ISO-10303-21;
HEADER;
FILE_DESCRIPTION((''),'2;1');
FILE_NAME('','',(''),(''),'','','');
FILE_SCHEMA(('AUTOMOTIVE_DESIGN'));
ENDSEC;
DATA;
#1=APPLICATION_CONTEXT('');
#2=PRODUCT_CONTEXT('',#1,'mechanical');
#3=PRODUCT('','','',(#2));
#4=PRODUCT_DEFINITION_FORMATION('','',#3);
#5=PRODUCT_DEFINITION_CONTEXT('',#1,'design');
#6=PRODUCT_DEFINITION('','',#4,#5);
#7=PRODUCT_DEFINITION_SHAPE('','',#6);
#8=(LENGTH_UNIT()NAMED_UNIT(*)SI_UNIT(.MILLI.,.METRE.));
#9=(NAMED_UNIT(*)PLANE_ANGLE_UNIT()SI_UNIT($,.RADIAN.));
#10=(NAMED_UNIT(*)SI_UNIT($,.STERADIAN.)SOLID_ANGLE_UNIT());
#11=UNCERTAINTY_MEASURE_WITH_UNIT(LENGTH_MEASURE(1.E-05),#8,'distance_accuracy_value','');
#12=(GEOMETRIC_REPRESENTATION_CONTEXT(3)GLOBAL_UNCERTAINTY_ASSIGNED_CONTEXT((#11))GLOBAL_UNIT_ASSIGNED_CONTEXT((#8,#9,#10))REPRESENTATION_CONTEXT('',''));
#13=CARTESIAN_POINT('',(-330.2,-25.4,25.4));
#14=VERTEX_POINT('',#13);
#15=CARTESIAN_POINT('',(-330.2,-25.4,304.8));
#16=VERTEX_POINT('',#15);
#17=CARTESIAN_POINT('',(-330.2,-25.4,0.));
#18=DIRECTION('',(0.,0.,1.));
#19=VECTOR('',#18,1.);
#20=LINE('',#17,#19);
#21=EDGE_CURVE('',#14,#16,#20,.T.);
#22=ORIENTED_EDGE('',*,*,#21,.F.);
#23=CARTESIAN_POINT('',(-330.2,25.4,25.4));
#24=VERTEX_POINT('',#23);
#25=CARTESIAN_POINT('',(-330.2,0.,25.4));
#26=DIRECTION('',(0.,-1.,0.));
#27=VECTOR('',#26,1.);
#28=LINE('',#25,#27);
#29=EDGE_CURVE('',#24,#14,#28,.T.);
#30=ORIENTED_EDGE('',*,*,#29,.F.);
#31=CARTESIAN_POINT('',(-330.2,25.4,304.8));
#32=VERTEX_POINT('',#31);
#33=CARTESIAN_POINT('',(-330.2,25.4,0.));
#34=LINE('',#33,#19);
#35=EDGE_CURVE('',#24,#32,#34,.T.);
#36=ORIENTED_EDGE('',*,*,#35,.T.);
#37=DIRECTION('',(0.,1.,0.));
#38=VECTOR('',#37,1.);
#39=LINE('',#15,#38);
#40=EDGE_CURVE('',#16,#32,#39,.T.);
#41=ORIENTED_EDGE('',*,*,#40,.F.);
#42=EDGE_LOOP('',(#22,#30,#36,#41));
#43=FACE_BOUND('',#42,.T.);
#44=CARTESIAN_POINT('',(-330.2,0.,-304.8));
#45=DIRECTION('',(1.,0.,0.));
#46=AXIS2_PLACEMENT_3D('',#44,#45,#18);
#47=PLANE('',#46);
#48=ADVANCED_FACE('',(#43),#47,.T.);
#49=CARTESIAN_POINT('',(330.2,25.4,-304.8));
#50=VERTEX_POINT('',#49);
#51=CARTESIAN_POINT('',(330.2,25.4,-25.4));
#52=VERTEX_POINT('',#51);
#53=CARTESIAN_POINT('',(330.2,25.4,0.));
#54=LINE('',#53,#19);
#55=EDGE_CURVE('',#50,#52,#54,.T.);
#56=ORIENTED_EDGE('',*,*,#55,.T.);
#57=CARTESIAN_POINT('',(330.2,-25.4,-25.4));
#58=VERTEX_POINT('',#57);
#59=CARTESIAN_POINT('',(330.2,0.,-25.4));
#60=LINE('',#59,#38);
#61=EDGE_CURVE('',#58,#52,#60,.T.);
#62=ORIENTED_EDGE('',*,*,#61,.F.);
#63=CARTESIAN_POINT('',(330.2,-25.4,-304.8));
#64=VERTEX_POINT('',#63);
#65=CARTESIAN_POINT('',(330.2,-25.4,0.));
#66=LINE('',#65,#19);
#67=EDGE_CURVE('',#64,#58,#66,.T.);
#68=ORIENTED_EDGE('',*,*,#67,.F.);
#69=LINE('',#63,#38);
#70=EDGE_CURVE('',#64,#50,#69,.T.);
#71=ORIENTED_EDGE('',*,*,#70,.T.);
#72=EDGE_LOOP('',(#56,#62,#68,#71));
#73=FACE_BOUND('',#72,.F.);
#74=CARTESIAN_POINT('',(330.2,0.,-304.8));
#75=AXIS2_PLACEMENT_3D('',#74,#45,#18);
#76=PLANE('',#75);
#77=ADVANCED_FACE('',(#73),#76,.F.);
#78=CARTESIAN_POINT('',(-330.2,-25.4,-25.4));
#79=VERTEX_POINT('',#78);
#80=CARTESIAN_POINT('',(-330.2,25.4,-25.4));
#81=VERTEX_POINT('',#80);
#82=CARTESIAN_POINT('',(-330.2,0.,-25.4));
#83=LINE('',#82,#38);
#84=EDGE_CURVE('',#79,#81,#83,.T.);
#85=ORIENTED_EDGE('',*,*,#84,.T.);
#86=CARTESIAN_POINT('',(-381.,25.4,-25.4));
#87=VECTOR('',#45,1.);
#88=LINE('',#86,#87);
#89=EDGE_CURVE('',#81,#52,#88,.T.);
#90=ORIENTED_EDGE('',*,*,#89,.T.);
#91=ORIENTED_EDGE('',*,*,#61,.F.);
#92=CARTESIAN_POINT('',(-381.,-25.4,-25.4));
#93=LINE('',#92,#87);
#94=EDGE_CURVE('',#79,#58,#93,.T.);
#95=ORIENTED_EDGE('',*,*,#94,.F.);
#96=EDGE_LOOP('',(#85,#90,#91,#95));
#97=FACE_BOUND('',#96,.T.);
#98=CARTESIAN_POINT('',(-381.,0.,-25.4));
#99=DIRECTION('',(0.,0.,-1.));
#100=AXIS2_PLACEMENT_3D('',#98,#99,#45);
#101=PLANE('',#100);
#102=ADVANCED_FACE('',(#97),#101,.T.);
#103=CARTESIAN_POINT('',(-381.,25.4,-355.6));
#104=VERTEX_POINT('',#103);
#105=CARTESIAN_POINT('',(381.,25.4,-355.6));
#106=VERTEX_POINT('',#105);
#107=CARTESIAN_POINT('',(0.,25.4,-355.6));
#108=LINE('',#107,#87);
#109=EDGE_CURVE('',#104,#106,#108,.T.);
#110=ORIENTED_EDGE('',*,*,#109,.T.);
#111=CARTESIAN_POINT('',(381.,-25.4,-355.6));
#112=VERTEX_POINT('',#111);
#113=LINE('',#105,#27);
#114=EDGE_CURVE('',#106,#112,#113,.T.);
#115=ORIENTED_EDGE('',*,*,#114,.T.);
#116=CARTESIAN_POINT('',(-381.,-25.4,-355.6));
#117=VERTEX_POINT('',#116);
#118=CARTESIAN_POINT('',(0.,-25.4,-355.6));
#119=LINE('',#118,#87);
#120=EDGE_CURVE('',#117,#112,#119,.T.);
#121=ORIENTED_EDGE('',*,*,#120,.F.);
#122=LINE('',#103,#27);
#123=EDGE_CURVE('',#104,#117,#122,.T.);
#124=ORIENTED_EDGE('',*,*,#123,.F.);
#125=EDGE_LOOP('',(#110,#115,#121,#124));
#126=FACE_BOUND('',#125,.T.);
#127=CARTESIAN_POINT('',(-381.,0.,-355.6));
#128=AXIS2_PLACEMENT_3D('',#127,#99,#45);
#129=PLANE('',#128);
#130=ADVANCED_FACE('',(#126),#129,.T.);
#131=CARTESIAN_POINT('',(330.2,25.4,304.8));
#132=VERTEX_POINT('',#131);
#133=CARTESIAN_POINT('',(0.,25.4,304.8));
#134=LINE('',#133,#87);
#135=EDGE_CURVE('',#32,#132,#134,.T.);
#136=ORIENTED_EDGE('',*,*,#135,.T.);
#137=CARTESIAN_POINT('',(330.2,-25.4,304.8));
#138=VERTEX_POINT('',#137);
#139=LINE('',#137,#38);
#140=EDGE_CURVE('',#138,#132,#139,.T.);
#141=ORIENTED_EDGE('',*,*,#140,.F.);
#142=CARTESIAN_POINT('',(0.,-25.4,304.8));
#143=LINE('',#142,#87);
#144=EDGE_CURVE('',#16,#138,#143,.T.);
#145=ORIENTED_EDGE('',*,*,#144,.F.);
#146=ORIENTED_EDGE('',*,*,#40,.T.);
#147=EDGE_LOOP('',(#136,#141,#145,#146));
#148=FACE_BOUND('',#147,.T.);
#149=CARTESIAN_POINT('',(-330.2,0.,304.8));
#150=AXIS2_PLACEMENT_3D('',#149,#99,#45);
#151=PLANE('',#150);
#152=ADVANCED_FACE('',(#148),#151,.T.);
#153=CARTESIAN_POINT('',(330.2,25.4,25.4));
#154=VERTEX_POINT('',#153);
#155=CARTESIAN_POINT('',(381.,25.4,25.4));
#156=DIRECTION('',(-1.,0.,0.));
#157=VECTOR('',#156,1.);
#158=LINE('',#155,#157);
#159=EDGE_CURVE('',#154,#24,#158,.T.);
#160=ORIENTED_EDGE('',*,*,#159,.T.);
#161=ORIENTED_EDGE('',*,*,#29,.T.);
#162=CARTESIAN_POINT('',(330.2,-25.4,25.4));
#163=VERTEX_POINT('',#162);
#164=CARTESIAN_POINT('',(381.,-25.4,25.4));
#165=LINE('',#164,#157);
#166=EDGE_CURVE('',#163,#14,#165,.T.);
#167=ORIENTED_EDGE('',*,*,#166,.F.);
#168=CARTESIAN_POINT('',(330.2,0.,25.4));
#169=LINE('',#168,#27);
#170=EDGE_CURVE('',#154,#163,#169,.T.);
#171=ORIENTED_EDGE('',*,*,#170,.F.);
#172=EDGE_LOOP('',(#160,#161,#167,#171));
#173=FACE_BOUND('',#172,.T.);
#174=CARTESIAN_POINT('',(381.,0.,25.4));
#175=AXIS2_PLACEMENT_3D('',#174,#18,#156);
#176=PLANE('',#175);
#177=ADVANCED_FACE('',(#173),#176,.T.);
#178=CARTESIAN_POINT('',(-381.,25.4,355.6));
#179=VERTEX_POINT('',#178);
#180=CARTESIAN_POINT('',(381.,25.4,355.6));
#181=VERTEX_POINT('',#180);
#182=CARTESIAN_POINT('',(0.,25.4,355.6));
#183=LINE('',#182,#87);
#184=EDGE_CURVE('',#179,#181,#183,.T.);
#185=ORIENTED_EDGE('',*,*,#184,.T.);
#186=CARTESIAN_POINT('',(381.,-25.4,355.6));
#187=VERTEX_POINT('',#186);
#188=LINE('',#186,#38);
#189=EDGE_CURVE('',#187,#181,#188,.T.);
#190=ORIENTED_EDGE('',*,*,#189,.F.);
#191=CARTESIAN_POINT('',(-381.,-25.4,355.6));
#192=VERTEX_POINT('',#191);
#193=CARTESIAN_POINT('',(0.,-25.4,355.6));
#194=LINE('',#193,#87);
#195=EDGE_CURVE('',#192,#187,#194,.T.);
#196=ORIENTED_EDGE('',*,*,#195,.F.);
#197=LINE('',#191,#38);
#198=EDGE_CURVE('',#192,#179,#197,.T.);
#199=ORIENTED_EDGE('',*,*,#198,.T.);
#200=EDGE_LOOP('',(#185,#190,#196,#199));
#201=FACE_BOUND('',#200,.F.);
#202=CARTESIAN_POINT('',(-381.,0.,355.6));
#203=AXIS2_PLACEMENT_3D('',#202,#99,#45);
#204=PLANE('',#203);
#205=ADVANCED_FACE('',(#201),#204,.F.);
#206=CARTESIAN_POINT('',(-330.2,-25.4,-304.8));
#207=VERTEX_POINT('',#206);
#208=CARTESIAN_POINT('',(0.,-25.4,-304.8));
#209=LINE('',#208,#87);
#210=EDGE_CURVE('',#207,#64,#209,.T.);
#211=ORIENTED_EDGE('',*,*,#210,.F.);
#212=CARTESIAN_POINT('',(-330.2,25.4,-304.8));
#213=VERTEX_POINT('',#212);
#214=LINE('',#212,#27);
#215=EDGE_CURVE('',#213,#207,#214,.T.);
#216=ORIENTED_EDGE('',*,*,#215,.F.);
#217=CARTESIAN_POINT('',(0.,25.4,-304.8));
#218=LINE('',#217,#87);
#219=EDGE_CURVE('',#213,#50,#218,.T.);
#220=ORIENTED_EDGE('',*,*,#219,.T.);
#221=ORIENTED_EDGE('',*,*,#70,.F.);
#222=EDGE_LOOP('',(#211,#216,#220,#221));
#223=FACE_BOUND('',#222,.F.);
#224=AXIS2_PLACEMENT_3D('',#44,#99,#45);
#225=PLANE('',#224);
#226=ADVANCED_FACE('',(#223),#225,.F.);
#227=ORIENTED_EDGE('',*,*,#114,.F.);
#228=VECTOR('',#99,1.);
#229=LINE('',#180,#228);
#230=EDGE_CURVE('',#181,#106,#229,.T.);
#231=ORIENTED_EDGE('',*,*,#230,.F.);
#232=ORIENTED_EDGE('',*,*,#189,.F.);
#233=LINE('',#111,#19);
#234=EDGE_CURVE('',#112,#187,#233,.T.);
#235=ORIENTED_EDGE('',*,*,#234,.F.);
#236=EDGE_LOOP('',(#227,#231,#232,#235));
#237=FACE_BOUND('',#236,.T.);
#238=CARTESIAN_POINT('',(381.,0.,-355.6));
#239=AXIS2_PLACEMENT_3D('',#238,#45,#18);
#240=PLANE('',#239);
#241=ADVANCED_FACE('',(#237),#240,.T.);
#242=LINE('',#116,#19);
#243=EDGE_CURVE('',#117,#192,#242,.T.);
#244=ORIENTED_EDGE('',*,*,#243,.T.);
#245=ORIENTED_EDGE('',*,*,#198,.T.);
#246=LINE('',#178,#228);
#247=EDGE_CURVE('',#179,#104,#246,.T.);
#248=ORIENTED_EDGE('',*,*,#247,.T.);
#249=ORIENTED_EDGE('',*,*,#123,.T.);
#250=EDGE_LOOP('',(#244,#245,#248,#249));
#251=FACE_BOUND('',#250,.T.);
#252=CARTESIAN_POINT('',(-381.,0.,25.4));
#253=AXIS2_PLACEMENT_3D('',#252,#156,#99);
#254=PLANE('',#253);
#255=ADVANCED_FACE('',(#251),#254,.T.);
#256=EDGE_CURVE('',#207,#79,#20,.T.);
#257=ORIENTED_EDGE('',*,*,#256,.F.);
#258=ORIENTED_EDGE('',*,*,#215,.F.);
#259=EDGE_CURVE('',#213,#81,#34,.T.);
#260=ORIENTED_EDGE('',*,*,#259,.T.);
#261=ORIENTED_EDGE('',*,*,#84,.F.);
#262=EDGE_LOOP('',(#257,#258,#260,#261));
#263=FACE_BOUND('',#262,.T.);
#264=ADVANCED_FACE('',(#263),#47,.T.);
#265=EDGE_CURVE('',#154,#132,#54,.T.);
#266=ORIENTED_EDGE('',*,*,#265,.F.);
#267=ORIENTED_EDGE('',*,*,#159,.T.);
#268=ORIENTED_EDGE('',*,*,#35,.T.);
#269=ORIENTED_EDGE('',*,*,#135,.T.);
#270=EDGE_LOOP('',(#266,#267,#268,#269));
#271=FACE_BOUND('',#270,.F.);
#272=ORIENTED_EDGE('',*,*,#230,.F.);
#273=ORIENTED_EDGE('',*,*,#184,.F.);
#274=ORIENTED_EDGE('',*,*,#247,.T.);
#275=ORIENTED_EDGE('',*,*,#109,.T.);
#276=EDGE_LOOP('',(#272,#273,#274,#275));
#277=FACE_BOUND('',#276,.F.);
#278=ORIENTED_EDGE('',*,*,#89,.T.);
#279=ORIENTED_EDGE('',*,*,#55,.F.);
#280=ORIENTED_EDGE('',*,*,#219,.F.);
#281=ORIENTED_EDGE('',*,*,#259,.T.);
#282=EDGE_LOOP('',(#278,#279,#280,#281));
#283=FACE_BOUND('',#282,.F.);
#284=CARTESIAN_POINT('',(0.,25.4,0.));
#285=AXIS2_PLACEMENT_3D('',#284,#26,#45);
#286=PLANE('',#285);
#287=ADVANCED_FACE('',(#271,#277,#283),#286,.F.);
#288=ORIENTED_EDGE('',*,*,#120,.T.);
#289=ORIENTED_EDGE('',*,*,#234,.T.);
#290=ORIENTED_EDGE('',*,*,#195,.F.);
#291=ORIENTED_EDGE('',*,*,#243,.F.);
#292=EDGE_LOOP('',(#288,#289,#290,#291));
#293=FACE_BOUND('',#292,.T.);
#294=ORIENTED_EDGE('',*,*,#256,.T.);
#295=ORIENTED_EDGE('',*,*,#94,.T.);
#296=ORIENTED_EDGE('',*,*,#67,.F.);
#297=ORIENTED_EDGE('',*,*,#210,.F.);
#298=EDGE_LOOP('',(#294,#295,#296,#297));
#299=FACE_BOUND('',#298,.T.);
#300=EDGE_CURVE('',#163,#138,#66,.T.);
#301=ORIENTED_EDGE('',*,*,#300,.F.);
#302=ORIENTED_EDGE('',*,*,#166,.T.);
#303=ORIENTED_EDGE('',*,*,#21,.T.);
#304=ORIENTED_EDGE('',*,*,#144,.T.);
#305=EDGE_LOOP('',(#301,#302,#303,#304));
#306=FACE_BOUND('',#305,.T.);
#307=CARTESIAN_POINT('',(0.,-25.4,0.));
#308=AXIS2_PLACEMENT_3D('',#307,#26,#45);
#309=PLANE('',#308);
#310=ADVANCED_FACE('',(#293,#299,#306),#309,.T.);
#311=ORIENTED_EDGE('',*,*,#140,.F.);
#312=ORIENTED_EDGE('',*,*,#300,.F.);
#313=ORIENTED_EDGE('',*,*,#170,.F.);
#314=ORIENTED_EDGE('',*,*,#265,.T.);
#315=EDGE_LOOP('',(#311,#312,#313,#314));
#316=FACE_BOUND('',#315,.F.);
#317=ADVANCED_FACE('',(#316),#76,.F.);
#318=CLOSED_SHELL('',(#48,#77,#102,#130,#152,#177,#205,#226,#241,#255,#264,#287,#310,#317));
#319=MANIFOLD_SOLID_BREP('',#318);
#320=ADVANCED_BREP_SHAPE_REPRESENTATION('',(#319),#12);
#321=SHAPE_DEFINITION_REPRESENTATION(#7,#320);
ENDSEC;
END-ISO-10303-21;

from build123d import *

# Parameters (mm, degrees)
F0_W     = 762
F0_H     = 711.2
F0_W_2   = 660.4
F0_H_2   = 609.6
F1_DEPTH = 25.4
F3_DEPTH = 25.4


with BuildPart() as f1:
    # F0 (on Front) → F1 (new body, symmetric)
    with BuildSketch(Plane.XZ):
        Rectangle(F0_W, F0_H)
        Rectangle(F0_W_2, F0_H_2, mode=Mode.SUBTRACT)
    extrude(amount=F1_DEPTH, both=True)

    # F2 (on Front) → F3 (join, symmetric)
    with BuildSketch(Plane.XZ):
        Polygon((-381, 25.4), (-381, 0), (-381, -25.4), (381, -25.4), (381, 0), (381, 25.4), align=None)
    extrude(amount=F3_DEPTH, both=True)


solid = f1.part
